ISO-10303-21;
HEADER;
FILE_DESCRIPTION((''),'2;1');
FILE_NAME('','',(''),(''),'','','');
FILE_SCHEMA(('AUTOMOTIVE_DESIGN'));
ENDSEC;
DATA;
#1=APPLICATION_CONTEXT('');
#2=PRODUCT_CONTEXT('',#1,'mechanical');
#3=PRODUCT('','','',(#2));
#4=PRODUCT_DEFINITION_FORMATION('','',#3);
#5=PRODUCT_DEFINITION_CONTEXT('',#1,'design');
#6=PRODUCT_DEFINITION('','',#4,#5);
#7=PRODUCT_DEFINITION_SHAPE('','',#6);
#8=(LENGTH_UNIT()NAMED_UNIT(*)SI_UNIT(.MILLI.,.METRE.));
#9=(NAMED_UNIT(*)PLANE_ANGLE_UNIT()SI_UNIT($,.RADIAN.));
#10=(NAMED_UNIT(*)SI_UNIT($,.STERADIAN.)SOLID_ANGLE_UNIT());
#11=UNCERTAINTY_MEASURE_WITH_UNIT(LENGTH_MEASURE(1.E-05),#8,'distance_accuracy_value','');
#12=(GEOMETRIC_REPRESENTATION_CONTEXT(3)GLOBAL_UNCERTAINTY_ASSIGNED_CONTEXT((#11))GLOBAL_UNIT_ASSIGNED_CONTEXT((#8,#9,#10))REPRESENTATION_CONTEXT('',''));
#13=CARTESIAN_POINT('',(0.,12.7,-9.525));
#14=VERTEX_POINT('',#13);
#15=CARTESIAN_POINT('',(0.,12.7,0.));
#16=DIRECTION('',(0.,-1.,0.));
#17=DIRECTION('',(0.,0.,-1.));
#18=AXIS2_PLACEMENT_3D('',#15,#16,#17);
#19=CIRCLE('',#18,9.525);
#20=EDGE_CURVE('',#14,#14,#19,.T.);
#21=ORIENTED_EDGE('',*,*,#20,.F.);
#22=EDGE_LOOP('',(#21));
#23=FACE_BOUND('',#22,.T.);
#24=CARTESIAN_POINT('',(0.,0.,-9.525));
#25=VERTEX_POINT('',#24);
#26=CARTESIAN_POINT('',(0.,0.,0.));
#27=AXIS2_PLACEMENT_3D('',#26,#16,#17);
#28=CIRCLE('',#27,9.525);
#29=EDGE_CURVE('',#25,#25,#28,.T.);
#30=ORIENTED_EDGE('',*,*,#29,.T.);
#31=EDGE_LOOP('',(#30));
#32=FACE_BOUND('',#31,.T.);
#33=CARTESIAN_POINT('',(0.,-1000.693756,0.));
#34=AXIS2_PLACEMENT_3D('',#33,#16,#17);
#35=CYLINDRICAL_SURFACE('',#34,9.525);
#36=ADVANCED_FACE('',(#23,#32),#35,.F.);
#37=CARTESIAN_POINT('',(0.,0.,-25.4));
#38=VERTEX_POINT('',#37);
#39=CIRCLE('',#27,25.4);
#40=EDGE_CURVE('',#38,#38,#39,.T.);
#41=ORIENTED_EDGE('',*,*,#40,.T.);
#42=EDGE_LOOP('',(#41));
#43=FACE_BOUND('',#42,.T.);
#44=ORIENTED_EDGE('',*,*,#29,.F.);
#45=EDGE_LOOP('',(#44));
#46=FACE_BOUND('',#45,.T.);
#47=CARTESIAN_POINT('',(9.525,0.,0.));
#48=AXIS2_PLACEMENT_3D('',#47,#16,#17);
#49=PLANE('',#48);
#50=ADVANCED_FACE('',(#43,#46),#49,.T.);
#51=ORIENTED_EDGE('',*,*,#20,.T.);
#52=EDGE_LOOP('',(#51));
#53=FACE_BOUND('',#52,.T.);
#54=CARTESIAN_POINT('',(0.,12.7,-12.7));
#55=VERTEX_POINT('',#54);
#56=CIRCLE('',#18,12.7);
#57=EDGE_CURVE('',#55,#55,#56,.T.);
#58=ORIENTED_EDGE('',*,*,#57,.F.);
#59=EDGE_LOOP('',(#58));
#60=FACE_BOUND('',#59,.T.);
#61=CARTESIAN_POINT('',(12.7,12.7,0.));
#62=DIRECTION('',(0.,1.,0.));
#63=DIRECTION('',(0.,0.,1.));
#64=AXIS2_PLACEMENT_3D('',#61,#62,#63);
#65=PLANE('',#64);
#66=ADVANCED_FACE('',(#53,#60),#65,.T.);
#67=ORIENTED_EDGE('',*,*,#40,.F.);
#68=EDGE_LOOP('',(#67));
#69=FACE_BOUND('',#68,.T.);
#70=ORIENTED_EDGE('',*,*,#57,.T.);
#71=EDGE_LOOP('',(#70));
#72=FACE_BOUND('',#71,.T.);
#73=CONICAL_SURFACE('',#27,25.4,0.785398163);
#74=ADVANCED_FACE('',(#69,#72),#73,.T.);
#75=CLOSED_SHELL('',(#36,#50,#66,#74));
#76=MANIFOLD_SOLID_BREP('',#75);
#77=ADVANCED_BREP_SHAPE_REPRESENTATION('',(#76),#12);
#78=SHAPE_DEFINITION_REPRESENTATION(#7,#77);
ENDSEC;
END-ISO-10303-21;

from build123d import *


with BuildPart() as part:
    # Sketch1 → Revolve1 (revolve)
    with BuildSketch(Plane.XY):
        Polygon((9.525, 0), (25.4, 0), (12.7, 12.7), (9.525, 12.7), align=None)
    revolve(axis=Axis((0, -1000.69375591, 0), (0, 1, 0)))


solid = part.part
